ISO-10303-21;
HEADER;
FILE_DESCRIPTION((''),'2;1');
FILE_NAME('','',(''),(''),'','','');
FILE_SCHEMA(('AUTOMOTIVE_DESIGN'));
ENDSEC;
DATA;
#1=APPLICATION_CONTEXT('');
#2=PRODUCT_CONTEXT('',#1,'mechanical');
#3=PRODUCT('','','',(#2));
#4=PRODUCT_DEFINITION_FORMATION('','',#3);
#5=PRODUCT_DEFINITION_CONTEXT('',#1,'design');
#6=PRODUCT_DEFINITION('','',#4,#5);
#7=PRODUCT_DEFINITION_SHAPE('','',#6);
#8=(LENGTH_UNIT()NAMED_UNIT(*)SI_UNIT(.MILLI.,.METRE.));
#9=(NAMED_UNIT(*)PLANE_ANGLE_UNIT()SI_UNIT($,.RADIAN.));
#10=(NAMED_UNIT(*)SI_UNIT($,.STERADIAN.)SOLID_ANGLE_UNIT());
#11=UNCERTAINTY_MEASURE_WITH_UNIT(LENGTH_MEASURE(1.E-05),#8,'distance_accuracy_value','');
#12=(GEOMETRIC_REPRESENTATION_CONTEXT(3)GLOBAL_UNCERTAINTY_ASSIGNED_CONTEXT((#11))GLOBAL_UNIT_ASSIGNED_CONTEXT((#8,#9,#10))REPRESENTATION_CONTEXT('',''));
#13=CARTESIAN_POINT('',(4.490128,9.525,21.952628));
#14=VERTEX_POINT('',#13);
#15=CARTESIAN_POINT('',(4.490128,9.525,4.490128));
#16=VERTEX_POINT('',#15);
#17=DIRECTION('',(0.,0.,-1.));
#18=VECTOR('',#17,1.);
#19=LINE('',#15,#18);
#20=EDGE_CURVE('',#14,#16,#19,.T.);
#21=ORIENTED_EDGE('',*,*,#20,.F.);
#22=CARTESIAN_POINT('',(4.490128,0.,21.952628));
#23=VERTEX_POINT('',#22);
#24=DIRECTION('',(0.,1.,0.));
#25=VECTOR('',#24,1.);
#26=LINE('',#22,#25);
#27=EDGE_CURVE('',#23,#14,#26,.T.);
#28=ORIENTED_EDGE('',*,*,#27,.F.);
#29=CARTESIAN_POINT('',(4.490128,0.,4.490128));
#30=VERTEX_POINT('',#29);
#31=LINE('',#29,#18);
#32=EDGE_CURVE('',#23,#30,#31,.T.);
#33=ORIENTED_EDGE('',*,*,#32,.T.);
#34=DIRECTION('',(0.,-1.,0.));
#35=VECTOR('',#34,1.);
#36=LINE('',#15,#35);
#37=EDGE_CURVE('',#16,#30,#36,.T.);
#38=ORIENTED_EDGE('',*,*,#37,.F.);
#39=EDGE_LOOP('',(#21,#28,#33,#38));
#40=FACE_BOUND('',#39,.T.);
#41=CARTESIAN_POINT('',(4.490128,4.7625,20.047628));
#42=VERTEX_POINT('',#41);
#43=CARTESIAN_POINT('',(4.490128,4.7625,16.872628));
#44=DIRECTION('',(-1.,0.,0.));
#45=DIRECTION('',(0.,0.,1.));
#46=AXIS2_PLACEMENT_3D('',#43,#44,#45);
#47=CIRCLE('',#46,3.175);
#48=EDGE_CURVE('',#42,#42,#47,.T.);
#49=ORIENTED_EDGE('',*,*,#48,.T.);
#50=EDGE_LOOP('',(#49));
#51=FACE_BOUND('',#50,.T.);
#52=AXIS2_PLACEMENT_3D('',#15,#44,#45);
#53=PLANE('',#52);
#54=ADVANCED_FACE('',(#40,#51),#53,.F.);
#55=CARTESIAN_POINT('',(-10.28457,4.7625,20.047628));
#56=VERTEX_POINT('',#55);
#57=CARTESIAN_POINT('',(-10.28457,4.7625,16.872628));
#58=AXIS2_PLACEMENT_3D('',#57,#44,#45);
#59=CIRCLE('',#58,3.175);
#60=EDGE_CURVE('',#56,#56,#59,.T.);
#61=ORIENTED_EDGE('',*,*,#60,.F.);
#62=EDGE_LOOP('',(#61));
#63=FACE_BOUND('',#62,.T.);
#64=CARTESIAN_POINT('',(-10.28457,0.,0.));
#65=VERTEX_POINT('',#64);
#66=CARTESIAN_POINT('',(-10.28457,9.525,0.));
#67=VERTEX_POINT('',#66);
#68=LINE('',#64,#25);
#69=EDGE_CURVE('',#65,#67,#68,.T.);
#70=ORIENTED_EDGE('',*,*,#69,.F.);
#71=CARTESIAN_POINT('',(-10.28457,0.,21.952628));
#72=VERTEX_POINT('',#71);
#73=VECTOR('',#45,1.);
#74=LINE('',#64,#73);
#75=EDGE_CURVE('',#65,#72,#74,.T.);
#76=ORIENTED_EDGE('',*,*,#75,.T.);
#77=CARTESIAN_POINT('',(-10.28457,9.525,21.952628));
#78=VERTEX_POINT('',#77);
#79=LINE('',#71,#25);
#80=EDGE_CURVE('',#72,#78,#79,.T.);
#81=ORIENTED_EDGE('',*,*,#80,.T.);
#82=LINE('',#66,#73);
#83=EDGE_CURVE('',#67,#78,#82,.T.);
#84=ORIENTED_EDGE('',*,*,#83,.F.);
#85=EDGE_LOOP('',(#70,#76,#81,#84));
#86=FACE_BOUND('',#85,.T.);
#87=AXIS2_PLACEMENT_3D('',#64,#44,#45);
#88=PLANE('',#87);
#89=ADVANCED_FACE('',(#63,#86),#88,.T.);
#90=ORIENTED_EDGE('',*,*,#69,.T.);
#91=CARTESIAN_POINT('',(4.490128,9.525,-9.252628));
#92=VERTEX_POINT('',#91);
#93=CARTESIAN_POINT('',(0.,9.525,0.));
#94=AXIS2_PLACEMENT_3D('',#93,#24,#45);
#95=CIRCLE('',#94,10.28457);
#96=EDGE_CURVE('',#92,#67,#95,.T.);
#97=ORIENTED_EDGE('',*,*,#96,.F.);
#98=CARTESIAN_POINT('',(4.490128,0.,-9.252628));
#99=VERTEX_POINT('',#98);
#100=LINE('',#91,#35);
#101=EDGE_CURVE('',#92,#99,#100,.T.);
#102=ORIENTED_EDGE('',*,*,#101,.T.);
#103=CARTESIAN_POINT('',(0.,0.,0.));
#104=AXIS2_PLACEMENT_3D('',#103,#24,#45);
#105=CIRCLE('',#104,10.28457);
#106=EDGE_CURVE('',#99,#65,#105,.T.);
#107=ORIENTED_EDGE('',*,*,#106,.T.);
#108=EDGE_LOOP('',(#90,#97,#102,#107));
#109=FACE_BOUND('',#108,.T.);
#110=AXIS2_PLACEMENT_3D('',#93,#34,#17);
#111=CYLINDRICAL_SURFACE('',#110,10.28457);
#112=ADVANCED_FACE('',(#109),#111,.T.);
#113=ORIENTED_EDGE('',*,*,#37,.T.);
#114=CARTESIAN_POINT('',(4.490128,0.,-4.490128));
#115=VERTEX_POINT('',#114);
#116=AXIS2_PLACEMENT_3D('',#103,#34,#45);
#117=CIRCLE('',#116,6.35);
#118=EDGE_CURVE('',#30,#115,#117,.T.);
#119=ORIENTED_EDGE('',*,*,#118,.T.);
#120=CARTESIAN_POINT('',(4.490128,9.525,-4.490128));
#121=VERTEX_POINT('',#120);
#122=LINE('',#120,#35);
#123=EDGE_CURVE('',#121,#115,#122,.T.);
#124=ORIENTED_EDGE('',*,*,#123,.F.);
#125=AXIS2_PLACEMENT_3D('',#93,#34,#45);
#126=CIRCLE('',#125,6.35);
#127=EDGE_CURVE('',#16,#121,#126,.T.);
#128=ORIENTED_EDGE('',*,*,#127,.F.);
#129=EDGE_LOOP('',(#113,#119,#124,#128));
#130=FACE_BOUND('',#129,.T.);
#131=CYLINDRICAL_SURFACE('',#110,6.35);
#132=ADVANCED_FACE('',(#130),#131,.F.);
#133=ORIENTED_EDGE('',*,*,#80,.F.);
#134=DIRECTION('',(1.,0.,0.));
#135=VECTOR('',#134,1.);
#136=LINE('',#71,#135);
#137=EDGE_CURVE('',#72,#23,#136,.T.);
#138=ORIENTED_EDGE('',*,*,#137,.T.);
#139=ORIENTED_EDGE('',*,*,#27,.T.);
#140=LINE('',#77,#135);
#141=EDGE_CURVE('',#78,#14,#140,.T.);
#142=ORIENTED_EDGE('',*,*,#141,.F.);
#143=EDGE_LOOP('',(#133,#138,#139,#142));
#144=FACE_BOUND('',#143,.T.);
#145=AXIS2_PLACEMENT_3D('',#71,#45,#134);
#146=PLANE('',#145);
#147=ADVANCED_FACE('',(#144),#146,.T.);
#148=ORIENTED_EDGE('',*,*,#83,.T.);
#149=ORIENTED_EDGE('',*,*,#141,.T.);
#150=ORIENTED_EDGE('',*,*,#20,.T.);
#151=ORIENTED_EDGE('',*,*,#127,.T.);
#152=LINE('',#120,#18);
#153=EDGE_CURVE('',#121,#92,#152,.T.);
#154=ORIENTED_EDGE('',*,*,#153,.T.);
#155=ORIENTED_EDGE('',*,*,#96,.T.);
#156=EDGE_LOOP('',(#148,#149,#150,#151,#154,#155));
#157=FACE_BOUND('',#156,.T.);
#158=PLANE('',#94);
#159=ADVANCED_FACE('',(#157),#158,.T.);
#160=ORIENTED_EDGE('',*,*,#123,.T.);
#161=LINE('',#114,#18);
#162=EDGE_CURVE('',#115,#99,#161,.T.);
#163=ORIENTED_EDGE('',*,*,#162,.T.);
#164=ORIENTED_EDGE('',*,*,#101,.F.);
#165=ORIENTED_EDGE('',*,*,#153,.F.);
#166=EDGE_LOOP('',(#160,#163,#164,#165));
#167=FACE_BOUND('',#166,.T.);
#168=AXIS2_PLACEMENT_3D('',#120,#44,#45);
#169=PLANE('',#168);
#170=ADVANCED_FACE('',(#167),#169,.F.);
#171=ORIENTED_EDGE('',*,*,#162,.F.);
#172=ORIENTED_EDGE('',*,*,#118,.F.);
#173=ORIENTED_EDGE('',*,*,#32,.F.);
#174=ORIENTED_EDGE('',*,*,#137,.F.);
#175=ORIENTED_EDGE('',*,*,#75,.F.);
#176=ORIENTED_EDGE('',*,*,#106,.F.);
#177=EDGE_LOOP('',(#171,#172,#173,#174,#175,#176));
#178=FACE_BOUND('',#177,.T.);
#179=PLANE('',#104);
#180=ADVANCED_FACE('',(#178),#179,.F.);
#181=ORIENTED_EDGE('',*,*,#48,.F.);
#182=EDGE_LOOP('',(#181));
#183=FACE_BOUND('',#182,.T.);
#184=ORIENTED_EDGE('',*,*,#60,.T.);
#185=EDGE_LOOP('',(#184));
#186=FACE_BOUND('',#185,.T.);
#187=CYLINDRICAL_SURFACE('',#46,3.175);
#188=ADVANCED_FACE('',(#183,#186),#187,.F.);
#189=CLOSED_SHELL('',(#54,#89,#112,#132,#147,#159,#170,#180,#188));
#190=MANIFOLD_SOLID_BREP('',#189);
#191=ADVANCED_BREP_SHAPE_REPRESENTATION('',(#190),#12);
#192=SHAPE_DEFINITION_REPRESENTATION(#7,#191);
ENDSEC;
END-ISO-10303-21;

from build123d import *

# Parameters (mm, degrees)
BOSS_EXTRUDE1_DEPTH = 9.525
BOSS_EXTRUDE2_DEPTH = 9.525
SKETCH3_R           = 3.175
CUT_EXTRUDE1_DEPTH  = 15.774697863


with BuildPart() as part:
    # Sketch1 → Boss-Extrude1 (new body)
    with BuildSketch(Plane(origin=(0, 0, 0), x_dir=(1, 0, 0), z_dir=(0, 1, 0))):
        with BuildLine():
            Line((4.490128061, 4.490128061), (4.490128061, 9.252628061))
            ThreePointArc((4.490128061, 9.252628061), (-10.284569803, 0), (4.490128061, -9.252628061))
            Line((4.490128061, -9.252628061), (4.490128061, -4.490128061))
            ThreePointArc((4.490128061, -4.490128061), (-6.35, 0), (4.490128061, 4.490128061))
        make_face()
    extrude(amount=BOSS_EXTRUDE1_DEPTH)

    # Sketch2 → Boss-Extrude2 (add, through all)
    with BuildSketch(Plane(origin=(0, 9.525, 0), x_dir=(1, 0, 0), z_dir=(0, 1, 0))):
        with BuildLine():
            Line((-10.284569803, 0), (-10.284569803, -21.952628061))
            Line((-10.284569803, -21.952628061), (4.490128061, -21.952628061))
            Line((4.490128061, -21.952628061), (4.490128061, -9.252628061))
            ThreePointArc((4.490128061, -9.252628061), (-5.458632639, -8.716404405), (-10.284569803, 0))
        make_face()
    extrude(amount=-BOSS_EXTRUDE2_DEPTH)

    # Sketch3 → Cut-Extrude1 (cut, through all)
    with BuildSketch(Plane.ZY.offset(10.284569803)):
        with Locations((16.872628061, 4.7625)):
            Circle(SKETCH3_R)
    extrude(amount=-CUT_EXTRUDE1_DEPTH, mode=Mode.SUBTRACT)


solid = part.part
